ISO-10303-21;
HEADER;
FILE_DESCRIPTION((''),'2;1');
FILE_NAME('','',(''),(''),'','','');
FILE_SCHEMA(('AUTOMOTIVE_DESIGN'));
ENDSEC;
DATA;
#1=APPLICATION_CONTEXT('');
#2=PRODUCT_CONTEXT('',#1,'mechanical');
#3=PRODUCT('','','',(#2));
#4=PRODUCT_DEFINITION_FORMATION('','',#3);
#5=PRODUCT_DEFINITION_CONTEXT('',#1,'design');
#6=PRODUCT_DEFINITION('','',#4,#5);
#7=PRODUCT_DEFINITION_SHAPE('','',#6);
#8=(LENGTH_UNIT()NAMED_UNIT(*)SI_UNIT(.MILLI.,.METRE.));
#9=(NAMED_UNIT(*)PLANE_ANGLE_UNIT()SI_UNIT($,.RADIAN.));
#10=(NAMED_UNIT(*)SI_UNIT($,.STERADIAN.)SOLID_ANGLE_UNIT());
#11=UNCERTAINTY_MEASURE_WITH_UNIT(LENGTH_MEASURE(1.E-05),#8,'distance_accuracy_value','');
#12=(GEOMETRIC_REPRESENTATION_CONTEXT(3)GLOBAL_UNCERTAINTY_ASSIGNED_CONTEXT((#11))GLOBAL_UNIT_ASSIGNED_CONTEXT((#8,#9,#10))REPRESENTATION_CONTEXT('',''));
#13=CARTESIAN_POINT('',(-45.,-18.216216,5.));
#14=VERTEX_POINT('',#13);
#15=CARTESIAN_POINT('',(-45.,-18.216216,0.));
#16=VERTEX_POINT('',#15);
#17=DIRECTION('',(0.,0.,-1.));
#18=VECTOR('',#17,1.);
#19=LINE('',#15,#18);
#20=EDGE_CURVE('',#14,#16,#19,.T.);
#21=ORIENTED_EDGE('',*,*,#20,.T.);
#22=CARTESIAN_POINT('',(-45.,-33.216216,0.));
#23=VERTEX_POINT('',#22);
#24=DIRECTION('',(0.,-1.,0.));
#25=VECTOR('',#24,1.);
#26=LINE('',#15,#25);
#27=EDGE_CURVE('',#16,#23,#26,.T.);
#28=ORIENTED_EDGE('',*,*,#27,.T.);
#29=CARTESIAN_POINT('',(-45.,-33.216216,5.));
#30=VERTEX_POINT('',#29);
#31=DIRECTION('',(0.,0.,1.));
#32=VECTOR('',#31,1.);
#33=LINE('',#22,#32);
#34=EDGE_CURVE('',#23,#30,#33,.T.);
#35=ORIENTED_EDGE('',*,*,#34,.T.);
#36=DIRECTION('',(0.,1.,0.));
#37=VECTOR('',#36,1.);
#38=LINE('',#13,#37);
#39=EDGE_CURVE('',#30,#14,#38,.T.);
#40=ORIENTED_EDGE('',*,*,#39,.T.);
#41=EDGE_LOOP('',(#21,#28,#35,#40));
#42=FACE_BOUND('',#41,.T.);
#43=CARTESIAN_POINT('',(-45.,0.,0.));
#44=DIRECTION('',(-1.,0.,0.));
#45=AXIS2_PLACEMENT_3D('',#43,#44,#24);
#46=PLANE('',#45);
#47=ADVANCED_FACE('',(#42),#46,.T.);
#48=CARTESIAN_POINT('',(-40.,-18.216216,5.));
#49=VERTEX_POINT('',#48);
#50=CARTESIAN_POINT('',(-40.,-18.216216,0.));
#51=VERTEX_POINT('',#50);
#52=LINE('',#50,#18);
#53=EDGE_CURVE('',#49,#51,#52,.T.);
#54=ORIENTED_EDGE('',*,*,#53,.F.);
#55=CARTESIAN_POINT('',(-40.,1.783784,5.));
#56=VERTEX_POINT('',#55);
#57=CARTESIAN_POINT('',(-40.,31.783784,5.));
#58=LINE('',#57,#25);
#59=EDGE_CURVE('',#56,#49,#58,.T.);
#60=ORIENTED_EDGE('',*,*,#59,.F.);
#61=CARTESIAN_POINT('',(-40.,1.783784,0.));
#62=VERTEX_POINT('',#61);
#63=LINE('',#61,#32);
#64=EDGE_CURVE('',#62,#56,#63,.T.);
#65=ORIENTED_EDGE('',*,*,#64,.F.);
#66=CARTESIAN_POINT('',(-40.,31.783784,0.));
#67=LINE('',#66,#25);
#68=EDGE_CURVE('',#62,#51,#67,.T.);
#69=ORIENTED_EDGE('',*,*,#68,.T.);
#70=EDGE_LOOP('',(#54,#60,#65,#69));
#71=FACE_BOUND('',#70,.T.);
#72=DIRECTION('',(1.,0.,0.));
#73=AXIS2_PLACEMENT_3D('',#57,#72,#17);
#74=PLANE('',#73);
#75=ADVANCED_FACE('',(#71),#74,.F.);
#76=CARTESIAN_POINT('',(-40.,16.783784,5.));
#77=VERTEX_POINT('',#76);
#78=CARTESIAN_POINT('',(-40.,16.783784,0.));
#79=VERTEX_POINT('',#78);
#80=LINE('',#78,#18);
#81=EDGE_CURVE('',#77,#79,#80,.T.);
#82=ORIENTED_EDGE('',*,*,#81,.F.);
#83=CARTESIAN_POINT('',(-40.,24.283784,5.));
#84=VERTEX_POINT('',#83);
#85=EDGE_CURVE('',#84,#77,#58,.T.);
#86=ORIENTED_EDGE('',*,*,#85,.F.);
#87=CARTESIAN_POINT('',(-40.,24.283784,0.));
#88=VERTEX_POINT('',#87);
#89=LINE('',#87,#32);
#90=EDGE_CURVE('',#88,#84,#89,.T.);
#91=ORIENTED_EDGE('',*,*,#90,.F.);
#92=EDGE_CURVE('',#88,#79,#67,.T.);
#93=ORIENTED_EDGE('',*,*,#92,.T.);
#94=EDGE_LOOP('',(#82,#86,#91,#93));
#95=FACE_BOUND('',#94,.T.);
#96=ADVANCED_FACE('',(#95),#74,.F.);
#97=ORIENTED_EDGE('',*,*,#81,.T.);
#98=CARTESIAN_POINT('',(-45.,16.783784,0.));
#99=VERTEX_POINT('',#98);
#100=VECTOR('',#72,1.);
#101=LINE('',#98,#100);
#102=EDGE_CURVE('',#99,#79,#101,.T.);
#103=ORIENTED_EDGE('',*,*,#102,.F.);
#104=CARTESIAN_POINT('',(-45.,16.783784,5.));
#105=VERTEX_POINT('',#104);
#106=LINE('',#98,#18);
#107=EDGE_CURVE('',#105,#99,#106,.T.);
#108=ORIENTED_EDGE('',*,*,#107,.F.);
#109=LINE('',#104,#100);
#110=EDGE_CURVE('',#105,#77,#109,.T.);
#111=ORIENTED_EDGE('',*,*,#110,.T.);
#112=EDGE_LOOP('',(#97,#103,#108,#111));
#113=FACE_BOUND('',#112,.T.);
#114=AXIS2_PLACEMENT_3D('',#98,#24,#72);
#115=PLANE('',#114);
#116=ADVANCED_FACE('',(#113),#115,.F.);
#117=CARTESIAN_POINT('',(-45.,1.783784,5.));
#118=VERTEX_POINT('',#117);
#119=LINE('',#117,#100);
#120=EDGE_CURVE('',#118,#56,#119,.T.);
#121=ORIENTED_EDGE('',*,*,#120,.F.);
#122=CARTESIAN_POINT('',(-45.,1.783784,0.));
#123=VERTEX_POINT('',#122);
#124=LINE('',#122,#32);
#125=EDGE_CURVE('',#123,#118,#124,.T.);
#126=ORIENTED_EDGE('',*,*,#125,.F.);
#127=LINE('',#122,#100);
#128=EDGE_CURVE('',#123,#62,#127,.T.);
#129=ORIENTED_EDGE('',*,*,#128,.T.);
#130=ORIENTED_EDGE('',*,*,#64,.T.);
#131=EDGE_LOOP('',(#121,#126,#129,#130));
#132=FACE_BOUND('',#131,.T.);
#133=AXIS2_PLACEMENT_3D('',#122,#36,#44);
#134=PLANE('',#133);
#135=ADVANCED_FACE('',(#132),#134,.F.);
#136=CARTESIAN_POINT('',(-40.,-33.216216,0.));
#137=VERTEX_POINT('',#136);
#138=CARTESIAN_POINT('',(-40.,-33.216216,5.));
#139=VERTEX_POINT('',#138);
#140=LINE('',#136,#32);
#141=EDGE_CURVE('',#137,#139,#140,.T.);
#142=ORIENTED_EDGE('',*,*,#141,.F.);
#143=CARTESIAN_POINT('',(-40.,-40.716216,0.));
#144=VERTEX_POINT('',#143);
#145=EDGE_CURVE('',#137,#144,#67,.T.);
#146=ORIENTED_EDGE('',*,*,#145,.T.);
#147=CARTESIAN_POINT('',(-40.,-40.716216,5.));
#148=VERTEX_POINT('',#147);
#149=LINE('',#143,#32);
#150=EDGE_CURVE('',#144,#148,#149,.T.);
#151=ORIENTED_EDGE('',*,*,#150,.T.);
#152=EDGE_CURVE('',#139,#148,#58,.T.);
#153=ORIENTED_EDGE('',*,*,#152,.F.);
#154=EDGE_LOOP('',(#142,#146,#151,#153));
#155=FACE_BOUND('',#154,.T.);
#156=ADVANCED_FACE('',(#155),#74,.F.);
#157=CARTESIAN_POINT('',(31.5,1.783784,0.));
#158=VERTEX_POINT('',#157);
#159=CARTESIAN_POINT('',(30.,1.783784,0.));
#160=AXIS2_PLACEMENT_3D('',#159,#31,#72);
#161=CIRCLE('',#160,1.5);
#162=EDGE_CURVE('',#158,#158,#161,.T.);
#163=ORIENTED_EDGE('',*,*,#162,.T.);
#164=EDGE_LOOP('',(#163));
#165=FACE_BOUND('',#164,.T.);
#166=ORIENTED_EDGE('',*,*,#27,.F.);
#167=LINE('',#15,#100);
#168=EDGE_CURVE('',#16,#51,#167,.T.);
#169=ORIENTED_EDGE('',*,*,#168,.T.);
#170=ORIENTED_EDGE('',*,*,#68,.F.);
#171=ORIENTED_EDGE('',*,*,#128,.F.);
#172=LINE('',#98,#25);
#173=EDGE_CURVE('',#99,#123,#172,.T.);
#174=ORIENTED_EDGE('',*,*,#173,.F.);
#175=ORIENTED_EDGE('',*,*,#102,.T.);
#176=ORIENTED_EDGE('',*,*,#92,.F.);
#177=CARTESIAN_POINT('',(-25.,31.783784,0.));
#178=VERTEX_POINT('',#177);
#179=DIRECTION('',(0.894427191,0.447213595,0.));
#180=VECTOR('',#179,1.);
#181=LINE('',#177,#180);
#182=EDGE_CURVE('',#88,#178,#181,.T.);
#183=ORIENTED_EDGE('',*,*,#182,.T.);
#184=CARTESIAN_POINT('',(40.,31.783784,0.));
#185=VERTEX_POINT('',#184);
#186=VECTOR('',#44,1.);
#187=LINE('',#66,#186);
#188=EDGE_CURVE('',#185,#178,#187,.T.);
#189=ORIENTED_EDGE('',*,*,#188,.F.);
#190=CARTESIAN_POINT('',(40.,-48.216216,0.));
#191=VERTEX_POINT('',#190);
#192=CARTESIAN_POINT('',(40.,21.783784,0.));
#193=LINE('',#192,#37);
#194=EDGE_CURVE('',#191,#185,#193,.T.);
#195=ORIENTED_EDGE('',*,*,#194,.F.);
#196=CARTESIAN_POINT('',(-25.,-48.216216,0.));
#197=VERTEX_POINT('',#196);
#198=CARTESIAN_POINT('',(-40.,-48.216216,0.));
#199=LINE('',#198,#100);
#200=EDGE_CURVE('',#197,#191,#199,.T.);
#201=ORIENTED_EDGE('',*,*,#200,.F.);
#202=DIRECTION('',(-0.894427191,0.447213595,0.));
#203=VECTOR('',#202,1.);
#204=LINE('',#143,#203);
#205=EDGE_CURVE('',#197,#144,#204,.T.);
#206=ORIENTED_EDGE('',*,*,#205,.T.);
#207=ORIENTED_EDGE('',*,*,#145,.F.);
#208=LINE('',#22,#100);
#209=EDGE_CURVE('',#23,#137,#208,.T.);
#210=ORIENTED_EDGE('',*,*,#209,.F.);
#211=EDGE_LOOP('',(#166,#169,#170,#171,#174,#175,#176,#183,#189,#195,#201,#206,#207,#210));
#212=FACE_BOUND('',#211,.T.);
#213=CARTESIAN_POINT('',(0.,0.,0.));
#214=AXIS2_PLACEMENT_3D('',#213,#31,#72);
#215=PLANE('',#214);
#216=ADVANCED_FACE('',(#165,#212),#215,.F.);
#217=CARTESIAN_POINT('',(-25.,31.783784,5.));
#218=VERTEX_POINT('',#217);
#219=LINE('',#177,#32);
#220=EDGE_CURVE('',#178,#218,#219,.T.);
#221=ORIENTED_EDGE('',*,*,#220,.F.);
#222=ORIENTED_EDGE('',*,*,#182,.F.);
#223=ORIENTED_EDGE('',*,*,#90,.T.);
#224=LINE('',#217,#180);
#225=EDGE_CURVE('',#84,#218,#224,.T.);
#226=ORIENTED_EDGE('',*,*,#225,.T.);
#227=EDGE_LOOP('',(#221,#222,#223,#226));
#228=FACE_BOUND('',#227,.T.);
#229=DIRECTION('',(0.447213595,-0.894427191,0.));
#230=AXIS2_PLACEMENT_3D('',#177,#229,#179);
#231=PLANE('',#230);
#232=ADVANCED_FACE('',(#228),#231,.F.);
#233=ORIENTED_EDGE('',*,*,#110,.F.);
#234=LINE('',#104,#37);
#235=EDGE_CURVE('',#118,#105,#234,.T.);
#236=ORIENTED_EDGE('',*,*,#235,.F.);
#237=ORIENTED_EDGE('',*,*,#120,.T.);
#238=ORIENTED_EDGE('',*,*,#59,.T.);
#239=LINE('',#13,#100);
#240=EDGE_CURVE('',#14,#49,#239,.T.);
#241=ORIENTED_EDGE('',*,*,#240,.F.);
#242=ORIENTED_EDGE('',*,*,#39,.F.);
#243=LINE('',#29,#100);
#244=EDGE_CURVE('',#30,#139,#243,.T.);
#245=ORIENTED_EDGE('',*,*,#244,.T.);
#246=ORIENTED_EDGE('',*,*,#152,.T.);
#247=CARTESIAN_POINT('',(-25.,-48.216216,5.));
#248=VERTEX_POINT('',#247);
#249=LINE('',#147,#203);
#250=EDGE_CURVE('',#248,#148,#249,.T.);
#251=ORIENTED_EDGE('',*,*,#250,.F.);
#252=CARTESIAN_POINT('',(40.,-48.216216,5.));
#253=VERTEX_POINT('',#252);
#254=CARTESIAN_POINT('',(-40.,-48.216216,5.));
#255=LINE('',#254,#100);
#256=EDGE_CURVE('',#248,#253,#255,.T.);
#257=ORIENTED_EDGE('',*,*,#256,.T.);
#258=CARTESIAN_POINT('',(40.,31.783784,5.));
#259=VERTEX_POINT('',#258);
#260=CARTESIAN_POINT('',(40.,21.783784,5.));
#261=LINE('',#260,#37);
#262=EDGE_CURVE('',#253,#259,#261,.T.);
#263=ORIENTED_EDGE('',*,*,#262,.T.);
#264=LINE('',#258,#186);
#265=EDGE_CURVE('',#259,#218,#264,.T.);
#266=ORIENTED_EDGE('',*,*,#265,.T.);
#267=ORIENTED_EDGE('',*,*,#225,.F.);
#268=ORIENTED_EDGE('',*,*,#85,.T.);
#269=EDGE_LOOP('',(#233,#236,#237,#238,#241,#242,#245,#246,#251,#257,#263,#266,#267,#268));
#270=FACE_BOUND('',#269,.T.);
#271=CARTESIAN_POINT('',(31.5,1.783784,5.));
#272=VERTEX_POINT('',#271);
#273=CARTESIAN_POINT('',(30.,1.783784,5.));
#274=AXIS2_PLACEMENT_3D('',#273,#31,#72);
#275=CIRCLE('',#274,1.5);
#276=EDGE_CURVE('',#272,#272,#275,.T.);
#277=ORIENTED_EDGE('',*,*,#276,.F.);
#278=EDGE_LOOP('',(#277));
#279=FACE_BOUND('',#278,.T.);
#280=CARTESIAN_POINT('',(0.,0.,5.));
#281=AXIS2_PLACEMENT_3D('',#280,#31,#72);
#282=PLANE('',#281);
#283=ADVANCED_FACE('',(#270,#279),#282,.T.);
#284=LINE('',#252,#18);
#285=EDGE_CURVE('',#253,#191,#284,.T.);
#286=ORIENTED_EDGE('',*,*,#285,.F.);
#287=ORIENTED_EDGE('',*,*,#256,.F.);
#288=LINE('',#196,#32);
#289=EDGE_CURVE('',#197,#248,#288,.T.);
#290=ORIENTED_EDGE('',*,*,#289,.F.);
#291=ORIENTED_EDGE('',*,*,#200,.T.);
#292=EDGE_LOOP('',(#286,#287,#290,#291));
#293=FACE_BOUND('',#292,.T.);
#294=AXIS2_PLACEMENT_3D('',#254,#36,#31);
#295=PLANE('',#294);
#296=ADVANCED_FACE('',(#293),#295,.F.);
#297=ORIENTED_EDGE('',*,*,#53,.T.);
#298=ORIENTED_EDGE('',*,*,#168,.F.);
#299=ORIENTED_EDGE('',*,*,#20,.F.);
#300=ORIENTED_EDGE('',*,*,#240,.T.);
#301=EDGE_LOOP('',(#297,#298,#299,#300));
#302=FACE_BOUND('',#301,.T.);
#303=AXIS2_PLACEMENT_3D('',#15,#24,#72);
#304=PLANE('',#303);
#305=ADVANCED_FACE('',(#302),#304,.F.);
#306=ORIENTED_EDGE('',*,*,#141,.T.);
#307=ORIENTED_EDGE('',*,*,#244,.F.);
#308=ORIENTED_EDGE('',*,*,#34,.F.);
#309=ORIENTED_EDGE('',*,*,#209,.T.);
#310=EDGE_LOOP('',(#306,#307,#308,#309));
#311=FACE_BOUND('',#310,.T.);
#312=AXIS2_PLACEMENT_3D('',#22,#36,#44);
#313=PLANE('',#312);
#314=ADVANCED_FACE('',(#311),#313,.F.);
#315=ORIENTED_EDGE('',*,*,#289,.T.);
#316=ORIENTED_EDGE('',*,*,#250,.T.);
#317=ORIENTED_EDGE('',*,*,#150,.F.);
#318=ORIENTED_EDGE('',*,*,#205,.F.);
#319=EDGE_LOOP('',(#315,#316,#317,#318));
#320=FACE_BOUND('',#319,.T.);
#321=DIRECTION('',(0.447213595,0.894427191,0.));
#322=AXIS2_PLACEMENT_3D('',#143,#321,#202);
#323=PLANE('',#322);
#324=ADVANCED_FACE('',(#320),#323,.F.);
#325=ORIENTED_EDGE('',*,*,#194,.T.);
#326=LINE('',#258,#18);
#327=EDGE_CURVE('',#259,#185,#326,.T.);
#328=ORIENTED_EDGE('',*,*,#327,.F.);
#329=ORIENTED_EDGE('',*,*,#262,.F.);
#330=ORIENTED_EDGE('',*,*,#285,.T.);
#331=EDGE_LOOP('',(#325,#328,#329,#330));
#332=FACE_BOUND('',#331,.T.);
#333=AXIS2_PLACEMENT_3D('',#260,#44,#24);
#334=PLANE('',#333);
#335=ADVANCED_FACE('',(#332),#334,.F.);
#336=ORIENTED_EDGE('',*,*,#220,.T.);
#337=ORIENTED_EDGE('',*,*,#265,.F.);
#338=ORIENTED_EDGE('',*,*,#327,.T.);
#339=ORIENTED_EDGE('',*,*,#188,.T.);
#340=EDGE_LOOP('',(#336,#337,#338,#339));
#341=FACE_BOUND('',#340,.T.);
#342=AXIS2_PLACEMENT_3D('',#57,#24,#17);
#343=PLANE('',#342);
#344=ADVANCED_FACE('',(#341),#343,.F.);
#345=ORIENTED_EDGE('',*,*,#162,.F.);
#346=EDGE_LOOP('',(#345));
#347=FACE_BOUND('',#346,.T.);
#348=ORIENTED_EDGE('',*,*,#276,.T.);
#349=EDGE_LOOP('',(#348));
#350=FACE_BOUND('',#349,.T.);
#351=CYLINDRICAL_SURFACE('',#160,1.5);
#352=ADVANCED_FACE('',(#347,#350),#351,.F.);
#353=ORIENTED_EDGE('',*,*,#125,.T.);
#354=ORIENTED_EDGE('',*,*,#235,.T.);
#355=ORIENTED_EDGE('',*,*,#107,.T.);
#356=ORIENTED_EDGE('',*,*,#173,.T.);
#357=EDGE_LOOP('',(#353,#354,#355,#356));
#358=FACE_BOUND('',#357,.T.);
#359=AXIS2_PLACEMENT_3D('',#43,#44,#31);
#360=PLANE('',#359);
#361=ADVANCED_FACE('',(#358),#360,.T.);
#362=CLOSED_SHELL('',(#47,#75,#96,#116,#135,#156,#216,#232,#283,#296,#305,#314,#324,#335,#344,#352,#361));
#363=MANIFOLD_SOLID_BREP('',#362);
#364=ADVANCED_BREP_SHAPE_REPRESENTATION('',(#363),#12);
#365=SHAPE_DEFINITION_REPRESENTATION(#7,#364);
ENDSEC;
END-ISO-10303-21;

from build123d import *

# Parameters (mm, degrees)
BOSS_EXTRUDE1_DEPTH = 5
SKETCH3_W           = 5
SKETCH3_H           = 15
BOSS_EXTRUDE2_DEPTH = 5
CUT_EXTRUDE2_DEPTH  = 5
SKETCH5_R           = 1.5
CUT_EXTRUDE3_DEPTH  = 5


with BuildPart() as part:
    # Sketch1 → Boss-Extrude1 (new body)
    with BuildSketch(Plane.XY):
        Polygon((0, 31.783783784), (10, 31.783783784), (40, 31.783783784), (40, 21.783783784), (40, -48.216216216), (-40, -48.216216216), (-40, 31.783783784), align=None)
    extrude(amount=BOSS_EXTRUDE1_DEPTH)

    # Sketch3 → Boss-Extrude2 (add)
    with BuildSketch(Plane.ZY.offset(40)):
        with Locations((2.5, 9.283783784)):
            Rectangle(SKETCH3_W, SKETCH3_H)
        with Locations((2.5, -25.716216216)):
            Rectangle(SKETCH3_W, SKETCH3_H)
    extrude(amount=BOSS_EXTRUDE2_DEPTH)

    # Sketch4 → Cut-Extrude2 (cut)
    with BuildSketch(Plane.XY.offset(5)):
        Polygon((-40, 31.783783784), (-25, 31.783783784), (-40, 24.283783784), align=None)
        Polygon((-40, -48.216216216), (-40, -40.716216216), (-25, -48.216216216), align=None)
    extrude(amount=-CUT_EXTRUDE2_DEPTH, mode=Mode.SUBTRACT)

    # Sketch5 → Cut-Extrude3 (cut)
    with BuildSketch(Plane.XY.offset(5)):
        with Locations((30, 1.783783784)):
            Circle(SKETCH5_R)
    extrude(amount=-CUT_EXTRUDE3_DEPTH, mode=Mode.SUBTRACT)


solid = part.part
